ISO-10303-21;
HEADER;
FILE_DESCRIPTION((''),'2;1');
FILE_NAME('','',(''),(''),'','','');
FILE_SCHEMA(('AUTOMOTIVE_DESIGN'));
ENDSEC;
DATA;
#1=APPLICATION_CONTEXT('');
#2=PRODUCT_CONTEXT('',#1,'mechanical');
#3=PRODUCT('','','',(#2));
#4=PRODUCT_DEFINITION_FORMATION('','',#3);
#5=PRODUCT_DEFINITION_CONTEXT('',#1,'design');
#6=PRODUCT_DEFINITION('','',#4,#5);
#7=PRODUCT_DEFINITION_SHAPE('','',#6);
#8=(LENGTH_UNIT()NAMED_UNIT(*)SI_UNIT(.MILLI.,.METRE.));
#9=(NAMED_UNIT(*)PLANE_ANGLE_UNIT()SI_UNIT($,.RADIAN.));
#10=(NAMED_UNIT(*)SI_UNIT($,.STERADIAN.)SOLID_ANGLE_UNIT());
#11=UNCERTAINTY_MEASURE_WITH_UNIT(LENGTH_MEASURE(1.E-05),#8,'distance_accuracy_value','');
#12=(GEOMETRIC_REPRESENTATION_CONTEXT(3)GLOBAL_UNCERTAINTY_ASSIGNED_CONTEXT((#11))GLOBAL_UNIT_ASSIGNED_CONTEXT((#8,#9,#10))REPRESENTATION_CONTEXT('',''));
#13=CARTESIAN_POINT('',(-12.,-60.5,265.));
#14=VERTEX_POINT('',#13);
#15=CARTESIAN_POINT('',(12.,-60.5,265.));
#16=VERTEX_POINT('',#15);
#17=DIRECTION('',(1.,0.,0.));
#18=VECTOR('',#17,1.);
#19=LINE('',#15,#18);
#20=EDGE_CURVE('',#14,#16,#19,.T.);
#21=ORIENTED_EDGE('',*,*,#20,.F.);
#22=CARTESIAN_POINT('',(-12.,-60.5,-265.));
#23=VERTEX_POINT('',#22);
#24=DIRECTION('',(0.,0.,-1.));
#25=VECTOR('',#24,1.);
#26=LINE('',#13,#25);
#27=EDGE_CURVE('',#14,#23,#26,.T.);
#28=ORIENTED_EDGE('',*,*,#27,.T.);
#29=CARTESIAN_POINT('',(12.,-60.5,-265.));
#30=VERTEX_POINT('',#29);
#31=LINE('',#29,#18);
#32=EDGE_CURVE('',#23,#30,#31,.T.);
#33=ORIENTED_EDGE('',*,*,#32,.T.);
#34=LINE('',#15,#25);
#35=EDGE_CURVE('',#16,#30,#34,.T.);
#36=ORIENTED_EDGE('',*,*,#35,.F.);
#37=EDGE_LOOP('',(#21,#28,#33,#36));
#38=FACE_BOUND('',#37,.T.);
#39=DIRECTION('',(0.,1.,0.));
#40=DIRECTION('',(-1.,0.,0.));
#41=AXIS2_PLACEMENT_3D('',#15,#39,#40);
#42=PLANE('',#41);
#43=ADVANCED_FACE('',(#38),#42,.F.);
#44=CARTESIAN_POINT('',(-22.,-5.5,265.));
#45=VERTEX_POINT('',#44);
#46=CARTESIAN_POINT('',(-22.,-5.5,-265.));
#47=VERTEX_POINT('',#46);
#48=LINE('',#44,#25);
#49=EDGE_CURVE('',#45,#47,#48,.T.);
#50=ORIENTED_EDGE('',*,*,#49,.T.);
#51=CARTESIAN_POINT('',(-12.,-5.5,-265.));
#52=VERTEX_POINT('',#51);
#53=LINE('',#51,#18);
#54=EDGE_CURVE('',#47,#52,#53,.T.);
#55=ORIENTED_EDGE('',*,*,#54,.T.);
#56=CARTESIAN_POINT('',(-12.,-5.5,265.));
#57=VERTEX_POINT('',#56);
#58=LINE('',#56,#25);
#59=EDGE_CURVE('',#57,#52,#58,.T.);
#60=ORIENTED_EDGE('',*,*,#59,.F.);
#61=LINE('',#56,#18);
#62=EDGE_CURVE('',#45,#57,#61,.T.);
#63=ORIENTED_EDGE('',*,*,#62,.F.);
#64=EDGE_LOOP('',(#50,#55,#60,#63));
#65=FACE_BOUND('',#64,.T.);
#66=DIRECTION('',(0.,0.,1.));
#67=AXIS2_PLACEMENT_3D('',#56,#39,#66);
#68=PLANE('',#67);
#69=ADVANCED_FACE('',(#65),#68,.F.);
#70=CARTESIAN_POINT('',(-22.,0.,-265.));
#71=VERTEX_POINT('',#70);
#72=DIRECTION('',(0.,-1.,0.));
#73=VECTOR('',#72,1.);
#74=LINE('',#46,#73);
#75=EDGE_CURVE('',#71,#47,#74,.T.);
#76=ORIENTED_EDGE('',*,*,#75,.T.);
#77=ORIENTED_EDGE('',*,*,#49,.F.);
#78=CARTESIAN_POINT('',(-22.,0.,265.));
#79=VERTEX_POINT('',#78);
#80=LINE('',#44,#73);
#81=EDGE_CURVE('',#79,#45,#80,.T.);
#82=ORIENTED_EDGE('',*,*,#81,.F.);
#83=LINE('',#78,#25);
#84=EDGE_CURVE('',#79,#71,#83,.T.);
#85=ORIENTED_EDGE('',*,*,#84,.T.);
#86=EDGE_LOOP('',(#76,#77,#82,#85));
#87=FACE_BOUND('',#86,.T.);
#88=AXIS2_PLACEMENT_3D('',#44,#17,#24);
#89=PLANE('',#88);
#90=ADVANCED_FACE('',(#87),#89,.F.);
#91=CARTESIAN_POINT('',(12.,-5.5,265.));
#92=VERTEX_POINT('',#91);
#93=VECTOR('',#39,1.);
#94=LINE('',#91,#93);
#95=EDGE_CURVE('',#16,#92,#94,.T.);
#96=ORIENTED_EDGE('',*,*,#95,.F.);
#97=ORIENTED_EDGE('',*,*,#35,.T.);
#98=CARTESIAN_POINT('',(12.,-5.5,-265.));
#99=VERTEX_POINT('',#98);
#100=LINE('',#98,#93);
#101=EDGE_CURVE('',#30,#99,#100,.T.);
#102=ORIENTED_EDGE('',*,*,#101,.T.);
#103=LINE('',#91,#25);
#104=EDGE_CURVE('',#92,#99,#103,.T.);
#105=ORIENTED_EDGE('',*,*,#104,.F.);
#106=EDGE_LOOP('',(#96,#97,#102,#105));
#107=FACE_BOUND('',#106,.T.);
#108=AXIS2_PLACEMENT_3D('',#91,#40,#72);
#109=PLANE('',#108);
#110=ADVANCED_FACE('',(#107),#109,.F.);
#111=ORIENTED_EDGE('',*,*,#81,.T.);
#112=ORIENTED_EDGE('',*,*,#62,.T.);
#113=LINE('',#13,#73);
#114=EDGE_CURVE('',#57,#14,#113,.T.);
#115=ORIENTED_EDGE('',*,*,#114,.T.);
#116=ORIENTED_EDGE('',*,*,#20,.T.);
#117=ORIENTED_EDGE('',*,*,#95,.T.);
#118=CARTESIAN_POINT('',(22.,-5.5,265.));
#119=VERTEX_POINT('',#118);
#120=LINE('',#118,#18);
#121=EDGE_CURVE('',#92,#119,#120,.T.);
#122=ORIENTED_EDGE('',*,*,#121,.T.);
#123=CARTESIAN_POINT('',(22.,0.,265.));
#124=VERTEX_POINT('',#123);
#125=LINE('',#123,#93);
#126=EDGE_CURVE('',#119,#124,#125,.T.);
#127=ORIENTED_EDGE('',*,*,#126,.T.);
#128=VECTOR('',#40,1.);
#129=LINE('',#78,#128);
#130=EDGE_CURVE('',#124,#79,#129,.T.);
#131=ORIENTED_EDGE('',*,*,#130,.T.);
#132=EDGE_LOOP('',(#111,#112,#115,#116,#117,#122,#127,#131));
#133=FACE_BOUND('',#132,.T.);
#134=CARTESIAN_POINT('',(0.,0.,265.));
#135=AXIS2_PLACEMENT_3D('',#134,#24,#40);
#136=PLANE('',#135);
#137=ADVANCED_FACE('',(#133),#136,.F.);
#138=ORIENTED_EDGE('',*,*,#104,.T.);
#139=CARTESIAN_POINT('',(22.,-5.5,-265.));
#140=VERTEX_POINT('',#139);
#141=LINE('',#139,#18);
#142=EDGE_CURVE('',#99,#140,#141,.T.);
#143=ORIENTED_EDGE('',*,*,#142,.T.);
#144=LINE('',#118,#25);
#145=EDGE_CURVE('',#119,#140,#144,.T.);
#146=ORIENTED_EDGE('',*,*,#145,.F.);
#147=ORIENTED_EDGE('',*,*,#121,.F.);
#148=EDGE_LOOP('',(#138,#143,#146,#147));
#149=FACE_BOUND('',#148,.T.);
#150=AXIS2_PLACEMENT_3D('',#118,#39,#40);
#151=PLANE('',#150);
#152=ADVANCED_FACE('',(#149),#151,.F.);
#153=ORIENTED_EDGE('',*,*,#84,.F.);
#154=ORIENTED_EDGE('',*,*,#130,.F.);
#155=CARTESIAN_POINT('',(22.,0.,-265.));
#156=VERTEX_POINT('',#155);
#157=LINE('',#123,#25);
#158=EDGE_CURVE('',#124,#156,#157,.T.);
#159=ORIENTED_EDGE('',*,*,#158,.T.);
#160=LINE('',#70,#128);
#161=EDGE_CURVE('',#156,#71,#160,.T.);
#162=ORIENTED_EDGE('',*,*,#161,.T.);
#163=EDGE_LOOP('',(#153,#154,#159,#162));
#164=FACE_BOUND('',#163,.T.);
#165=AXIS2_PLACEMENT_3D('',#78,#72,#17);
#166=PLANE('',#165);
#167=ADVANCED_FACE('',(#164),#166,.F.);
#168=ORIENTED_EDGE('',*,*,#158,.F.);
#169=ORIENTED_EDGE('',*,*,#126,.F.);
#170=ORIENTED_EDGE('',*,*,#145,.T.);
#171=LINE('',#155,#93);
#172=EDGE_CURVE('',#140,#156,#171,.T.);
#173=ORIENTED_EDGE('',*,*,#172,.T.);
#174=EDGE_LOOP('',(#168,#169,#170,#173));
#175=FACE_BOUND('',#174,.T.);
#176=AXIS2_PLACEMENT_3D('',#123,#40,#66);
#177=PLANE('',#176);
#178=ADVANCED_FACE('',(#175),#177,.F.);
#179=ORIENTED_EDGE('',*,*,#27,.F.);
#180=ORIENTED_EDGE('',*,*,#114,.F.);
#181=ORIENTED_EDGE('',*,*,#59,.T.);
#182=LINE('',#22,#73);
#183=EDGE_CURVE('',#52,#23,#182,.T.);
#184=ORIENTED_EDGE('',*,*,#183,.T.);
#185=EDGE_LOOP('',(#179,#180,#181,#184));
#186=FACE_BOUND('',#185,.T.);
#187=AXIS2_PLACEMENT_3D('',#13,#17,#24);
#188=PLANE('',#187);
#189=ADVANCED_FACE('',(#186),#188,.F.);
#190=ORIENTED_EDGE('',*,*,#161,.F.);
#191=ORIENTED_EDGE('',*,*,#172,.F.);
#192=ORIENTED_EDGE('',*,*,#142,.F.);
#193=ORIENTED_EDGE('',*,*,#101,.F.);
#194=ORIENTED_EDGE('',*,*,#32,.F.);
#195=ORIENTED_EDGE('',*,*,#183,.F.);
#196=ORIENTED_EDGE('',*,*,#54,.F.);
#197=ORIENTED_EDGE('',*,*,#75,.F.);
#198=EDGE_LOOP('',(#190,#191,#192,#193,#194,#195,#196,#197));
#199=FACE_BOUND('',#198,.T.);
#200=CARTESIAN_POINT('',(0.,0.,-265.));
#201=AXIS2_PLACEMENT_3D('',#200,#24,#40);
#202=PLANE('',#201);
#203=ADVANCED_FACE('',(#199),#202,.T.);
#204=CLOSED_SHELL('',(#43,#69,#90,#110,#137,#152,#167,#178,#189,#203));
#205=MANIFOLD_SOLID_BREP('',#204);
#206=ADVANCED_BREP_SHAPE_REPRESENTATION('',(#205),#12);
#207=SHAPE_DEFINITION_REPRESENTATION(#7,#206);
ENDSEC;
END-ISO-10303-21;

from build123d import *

# Parameters (mm, degrees)
BOSS_EXTRUDE1_DEPTH = 265


with BuildPart() as part:
    # Sketch1 → Boss-Extrude1 (new, symmetric)
    with BuildSketch(Plane.XY):
        Polygon((-22, 0), (22, 0), (22, -5.5), (12, -5.5), (12, -60.5), (-12, -60.5), (-12, -5.5), (-22, -5.5), align=None)
    extrude(amount=BOSS_EXTRUDE1_DEPTH, both=True)


solid = part.part
